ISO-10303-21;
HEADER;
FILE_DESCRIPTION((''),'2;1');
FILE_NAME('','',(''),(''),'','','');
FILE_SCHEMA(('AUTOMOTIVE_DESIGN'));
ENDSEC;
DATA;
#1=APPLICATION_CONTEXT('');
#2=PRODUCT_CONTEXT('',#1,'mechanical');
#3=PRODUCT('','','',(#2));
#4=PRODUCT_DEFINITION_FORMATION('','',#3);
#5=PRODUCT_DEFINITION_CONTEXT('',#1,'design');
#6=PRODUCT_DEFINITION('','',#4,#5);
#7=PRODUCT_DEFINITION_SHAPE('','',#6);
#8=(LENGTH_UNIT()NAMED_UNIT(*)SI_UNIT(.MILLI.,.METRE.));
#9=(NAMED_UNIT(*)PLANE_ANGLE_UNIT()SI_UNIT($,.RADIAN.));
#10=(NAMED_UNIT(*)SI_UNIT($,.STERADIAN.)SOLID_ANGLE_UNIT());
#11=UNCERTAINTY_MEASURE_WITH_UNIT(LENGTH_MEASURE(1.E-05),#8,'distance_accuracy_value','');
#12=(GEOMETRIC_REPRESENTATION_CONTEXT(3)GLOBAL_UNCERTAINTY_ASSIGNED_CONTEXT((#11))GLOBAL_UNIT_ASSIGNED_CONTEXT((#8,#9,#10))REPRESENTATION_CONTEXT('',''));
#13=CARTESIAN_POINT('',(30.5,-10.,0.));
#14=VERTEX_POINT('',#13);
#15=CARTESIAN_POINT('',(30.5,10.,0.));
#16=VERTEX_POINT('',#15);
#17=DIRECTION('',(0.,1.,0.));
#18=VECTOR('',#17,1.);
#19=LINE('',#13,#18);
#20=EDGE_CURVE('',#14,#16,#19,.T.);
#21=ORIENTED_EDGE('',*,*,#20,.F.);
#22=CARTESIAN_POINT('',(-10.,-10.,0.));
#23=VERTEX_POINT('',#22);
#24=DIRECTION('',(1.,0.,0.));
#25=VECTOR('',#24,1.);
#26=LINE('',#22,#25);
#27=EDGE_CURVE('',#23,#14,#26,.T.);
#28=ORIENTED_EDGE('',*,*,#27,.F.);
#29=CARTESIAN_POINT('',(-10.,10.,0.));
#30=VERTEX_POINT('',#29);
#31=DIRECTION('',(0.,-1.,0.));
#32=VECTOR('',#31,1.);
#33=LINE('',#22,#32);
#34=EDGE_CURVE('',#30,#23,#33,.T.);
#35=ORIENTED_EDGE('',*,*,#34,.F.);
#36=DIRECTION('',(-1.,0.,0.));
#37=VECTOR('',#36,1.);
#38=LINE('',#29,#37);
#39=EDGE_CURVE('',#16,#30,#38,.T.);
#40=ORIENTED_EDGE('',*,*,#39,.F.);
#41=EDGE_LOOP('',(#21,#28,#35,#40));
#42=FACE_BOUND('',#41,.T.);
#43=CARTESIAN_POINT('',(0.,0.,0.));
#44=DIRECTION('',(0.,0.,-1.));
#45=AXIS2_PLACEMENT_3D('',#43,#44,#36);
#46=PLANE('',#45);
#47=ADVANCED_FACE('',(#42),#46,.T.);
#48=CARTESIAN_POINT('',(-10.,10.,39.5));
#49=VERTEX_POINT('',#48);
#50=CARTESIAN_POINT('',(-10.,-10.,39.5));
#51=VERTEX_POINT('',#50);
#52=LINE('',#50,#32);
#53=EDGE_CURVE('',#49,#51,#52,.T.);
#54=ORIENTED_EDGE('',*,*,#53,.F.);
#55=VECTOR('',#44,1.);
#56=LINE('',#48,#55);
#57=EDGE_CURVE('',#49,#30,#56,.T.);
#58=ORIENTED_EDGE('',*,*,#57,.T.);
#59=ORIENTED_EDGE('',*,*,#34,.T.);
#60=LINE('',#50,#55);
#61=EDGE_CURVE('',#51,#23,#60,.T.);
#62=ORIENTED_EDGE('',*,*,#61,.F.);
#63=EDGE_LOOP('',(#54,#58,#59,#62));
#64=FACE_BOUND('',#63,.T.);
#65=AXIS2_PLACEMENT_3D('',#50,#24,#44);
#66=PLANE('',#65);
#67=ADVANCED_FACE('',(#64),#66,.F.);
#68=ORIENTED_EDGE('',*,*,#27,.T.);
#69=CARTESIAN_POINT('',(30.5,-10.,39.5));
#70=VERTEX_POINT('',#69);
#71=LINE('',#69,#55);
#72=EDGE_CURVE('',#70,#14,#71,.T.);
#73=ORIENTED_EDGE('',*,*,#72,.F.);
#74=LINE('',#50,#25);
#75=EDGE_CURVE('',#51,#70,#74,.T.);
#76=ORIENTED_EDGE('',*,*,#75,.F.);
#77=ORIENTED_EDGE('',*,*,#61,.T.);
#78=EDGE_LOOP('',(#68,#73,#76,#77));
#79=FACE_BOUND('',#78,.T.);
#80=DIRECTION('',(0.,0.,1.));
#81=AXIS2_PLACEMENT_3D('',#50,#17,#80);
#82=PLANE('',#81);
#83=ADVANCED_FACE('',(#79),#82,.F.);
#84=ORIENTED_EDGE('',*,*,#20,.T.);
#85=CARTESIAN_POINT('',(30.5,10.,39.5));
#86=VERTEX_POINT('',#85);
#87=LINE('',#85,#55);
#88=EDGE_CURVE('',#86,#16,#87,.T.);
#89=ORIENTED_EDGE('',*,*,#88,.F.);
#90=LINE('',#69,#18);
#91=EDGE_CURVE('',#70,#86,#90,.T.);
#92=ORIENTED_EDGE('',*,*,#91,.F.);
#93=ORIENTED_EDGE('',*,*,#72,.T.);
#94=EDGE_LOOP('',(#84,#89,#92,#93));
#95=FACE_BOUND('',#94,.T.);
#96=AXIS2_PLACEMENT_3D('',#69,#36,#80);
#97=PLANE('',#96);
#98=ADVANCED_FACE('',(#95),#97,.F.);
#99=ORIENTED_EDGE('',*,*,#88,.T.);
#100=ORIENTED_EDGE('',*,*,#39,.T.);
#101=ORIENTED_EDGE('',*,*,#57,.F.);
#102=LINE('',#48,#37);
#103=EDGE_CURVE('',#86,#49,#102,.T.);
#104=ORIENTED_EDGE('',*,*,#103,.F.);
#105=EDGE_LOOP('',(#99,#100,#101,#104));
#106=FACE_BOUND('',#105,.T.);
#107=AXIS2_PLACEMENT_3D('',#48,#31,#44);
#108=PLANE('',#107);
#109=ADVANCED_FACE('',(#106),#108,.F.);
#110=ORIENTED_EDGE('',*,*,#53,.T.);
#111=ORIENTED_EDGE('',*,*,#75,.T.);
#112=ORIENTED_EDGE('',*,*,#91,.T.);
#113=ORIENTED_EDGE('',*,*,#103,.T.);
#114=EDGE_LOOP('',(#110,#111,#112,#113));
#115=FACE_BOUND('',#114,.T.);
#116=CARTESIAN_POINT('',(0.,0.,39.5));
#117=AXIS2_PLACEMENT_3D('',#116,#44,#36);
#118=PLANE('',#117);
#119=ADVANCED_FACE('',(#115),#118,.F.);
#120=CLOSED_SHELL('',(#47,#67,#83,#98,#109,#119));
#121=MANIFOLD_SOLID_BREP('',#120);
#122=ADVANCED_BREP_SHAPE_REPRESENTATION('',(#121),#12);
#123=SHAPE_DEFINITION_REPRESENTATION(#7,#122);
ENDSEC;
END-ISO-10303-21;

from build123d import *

# Parameters (mm, degrees)
SKETCH_1_W                        = 40.5
SKETCH_1_H                        = 20
MG995_SUPPLIER_40P5X20X39P5_DEPTH = 39.5


with BuildPart() as part:
    # 草图1 → MG995_SUPPLIER_40p5x20x39p5 (new body)
    with BuildSketch(Plane.XY):
        with Locations((10.25, 0)):
            Rectangle(SKETCH_1_W, SKETCH_1_H)
    extrude(amount=MG995_SUPPLIER_40P5X20X39P5_DEPTH)


solid = part.part
